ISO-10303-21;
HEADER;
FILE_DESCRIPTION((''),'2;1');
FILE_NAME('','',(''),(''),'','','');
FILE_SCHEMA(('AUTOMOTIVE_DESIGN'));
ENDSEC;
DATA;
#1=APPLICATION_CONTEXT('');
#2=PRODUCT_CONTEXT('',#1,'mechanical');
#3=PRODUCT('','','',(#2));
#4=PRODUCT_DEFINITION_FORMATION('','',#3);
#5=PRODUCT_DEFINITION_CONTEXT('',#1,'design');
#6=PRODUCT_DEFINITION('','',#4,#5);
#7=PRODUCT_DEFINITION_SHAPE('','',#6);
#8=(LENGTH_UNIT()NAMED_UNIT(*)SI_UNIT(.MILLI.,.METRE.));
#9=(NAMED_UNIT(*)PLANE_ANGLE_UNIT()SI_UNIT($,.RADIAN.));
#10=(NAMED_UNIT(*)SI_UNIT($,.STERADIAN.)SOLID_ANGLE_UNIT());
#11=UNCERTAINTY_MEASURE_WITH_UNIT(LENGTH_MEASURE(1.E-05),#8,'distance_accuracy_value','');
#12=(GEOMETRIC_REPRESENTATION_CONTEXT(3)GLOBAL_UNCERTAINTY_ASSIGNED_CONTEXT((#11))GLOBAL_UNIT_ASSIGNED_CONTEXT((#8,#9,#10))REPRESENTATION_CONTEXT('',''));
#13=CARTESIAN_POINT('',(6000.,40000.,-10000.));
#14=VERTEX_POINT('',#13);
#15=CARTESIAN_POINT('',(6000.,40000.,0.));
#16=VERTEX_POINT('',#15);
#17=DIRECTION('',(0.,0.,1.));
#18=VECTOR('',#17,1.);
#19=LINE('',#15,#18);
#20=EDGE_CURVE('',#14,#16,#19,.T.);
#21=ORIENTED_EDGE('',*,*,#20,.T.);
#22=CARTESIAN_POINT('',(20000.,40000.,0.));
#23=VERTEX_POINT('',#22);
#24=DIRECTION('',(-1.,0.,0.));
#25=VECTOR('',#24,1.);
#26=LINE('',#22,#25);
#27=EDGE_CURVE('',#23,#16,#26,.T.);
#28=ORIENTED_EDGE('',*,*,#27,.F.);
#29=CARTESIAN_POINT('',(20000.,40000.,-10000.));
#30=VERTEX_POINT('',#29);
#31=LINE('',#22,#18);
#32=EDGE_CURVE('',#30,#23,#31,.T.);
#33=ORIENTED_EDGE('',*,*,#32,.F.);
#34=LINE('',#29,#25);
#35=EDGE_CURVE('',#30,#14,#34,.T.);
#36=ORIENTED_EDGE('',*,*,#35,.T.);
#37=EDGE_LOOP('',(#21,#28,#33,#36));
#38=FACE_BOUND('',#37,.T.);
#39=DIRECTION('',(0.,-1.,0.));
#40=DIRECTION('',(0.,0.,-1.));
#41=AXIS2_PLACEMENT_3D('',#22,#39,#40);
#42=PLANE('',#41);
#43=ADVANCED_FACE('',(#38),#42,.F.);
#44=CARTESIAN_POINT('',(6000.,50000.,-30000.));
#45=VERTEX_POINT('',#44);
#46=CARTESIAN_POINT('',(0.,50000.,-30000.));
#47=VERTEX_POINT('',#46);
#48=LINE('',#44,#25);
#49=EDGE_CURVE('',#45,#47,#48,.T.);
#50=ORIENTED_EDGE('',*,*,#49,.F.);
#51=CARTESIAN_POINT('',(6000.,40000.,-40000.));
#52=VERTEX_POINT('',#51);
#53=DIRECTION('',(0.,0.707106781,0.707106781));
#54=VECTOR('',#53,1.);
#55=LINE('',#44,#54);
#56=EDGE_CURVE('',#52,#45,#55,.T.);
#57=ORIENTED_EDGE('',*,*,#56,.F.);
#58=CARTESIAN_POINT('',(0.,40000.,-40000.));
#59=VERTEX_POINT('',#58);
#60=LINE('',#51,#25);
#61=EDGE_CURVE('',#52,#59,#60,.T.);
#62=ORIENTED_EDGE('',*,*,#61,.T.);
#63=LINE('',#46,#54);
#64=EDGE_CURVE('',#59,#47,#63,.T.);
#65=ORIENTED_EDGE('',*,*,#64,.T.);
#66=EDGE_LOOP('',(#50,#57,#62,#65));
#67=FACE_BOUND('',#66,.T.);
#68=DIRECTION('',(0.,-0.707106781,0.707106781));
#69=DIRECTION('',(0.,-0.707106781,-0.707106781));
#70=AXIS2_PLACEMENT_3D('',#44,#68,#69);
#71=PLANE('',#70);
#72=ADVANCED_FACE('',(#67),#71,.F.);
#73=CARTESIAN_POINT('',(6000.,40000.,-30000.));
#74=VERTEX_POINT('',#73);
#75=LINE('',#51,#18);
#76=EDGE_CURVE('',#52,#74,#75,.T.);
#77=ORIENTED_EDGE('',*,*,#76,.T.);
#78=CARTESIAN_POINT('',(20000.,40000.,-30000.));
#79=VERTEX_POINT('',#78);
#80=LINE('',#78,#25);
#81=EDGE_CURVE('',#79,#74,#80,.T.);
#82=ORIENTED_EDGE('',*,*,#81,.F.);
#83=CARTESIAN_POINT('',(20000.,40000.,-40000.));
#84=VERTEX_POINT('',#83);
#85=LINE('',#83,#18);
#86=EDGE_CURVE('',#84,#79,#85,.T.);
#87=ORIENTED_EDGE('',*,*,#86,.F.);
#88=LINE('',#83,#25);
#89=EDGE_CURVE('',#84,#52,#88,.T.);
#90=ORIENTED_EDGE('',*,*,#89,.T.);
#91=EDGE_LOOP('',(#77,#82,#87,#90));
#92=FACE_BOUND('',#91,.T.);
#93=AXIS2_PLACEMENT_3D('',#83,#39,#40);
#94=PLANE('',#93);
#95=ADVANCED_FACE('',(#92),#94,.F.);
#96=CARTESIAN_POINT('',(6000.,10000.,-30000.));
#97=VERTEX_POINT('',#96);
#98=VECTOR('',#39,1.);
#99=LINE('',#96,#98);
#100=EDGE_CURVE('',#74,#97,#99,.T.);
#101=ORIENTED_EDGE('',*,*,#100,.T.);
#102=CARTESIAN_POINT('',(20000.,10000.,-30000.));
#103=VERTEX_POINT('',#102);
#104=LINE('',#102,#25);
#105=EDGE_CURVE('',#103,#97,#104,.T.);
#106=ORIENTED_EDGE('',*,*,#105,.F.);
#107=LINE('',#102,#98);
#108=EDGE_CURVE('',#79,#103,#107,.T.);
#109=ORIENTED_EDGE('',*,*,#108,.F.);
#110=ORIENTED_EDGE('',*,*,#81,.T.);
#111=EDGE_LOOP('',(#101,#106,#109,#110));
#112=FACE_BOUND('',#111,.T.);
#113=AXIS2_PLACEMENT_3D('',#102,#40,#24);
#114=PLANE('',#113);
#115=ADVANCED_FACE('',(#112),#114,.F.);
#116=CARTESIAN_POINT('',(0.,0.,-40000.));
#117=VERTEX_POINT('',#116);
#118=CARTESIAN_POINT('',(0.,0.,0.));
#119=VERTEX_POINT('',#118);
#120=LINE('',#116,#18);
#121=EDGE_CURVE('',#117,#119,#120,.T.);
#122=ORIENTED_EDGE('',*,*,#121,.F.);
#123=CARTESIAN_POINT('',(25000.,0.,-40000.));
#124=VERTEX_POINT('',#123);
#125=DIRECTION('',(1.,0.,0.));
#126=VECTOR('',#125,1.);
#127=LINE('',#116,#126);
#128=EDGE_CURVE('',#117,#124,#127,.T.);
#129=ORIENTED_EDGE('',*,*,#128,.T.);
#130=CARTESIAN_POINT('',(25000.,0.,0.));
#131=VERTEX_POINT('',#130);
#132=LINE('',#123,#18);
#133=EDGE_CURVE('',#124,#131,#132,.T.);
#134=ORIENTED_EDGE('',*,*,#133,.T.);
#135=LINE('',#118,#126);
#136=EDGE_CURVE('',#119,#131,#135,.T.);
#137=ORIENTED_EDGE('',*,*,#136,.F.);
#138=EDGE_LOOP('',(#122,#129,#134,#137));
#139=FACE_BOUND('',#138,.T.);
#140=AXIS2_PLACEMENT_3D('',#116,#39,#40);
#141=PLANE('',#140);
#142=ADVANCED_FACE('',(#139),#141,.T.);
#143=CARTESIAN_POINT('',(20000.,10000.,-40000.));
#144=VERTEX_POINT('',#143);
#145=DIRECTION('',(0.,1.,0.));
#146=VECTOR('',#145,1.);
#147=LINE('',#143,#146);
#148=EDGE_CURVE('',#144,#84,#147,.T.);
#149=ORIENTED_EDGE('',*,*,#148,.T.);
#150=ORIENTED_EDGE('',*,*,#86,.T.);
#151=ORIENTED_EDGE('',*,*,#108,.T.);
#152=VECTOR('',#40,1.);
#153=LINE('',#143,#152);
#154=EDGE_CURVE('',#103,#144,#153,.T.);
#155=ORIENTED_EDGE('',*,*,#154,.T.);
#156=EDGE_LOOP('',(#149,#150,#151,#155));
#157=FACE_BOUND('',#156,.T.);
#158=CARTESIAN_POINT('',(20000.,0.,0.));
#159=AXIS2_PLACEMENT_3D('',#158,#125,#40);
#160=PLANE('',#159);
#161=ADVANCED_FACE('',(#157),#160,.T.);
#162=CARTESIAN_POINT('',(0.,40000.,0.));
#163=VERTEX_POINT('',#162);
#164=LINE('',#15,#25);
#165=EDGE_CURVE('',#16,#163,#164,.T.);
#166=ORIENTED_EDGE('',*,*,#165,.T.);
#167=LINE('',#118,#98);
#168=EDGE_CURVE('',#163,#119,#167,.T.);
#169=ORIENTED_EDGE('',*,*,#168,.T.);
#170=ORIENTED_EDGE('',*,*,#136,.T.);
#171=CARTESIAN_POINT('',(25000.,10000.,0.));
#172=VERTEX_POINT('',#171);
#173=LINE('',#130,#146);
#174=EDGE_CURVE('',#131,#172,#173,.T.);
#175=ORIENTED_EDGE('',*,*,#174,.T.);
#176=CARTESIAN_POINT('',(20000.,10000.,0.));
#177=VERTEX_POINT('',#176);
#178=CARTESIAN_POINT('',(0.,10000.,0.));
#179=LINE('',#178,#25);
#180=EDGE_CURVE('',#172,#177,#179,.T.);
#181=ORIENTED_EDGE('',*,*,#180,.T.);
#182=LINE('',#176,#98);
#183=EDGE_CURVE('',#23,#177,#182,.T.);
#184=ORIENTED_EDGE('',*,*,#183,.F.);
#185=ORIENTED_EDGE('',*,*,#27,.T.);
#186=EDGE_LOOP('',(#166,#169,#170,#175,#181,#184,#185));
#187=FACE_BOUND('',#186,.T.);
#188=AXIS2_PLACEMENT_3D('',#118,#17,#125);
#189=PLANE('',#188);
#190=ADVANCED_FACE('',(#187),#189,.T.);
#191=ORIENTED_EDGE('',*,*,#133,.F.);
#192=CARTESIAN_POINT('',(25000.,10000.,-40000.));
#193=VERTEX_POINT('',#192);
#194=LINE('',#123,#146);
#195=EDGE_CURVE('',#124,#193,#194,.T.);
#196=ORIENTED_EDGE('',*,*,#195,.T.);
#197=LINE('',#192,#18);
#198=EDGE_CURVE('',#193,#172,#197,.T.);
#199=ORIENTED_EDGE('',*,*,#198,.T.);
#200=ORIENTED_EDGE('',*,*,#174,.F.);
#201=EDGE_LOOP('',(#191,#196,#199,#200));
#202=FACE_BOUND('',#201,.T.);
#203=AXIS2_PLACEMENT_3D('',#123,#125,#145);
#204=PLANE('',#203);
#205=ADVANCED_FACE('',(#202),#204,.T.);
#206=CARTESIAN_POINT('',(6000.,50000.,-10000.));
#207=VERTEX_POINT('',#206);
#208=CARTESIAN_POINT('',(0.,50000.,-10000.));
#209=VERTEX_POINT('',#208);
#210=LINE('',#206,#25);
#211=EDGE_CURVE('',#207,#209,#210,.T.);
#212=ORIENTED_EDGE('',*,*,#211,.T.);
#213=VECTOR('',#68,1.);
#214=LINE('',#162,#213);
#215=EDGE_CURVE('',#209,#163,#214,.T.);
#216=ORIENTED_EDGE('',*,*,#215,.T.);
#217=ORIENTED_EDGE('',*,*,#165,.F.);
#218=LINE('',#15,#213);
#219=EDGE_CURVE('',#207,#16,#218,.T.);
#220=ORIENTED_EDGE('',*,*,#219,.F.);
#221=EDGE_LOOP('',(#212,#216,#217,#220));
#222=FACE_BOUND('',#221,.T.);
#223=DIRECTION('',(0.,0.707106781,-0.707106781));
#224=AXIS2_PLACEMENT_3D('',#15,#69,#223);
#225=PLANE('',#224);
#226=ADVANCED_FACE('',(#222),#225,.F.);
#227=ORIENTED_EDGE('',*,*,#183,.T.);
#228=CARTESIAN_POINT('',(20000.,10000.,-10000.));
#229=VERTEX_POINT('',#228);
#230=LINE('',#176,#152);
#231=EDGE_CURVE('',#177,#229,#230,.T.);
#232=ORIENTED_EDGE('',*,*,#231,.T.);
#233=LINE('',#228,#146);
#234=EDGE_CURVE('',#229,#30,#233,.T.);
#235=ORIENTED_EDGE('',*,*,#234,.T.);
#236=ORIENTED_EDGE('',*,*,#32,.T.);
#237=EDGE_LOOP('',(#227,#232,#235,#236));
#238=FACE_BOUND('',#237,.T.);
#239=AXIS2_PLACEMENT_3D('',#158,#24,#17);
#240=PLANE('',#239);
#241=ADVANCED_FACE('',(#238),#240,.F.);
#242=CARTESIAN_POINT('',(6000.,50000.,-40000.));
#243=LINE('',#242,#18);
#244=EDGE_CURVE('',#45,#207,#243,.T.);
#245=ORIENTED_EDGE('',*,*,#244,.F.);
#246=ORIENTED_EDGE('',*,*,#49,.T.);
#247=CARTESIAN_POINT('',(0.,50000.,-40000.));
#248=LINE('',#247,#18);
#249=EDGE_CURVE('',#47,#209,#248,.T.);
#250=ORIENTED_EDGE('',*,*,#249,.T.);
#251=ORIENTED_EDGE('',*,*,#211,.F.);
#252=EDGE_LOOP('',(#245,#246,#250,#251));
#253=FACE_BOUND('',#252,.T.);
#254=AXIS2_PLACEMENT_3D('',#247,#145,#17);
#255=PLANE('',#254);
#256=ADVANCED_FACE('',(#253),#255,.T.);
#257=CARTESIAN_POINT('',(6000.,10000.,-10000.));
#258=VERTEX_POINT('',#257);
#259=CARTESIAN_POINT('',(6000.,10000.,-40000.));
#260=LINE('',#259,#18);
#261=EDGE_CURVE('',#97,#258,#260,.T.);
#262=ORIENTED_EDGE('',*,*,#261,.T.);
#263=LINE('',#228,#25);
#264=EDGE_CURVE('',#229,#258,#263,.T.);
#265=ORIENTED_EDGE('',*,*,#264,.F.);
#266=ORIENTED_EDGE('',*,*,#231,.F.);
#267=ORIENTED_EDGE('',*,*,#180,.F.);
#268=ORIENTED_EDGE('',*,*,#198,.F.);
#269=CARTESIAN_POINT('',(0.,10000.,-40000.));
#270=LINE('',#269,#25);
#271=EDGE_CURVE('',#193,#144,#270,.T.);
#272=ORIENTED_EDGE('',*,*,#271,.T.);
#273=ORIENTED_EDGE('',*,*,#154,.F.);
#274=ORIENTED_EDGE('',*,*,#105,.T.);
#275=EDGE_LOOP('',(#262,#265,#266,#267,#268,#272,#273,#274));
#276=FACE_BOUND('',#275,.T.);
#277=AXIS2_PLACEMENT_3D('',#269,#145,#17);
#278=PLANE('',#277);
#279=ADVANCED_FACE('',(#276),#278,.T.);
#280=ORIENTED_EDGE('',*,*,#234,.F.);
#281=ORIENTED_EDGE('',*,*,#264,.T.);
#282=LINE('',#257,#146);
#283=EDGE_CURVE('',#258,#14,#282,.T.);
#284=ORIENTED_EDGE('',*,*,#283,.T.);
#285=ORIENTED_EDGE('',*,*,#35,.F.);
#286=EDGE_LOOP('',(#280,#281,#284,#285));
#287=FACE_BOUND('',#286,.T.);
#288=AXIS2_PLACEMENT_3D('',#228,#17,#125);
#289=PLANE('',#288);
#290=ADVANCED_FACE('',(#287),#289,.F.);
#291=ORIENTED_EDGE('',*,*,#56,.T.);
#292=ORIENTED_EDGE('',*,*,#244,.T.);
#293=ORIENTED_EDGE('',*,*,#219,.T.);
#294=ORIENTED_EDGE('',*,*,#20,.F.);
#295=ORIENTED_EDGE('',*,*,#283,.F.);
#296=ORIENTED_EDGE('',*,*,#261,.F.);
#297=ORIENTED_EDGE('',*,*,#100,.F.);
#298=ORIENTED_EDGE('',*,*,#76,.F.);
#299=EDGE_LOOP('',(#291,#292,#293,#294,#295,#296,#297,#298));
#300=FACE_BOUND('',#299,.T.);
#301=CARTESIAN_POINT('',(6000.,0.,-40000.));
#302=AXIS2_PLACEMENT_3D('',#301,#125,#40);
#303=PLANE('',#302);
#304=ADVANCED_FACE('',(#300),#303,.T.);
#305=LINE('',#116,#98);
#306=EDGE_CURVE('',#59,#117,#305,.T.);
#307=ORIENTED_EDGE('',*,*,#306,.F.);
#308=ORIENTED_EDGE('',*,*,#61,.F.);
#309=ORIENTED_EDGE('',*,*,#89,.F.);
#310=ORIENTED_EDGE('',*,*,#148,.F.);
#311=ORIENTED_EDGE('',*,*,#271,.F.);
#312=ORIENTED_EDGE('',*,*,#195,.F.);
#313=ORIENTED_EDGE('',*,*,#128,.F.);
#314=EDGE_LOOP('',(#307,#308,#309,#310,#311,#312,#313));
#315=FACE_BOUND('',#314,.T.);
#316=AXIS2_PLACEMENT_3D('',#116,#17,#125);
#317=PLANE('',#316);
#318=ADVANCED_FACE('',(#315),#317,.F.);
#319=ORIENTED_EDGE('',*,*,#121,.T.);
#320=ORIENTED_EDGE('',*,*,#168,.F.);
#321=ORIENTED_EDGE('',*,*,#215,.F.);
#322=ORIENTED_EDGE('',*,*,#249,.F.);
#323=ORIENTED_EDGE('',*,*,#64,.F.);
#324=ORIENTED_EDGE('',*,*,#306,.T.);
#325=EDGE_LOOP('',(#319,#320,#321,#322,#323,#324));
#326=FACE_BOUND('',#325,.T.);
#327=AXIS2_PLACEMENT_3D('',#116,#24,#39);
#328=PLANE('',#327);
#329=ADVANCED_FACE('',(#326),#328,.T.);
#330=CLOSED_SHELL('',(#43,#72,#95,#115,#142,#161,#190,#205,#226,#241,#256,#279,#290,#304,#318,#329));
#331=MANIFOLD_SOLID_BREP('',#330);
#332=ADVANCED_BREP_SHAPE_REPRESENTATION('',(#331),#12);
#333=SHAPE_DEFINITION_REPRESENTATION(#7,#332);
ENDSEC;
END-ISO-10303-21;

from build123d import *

# Parameters (mm, degrees)
BOSS_EXTRUDE1_DEPTH = 40000
CUT_EXTRUDE1_DEPTH  = 6000
SKETCH3_W           = 10000
SKETCH3_H           = 30000
BOSS_EXTRUDE2_DEPTH = 14000


with BuildPart() as part:
    # Sketch1 → Boss-Extrude1 (new body)
    with BuildSketch(Plane.XY):
        Polygon((6000, 50000), (0, 50000), (0, 0), (25000, 0), (25000, 10000), (6000, 10000), align=None)
    extrude(amount=-BOSS_EXTRUDE1_DEPTH)

    # Sketch2 → Cut-Extrude1 (cut)
    with BuildSketch(Plane.ZY):
        Polygon((-40000, 50000), (-30000, 50000), (-40000, 40000), align=None)
        Polygon((-10000, 50000), (0, 50000), (0, 40000), align=None)
    extrude(amount=-CUT_EXTRUDE1_DEPTH, mode=Mode.SUBTRACT)

    # Sketch3 → Boss-Extrude2 (add)
    with BuildSketch(Plane(origin=(6000, 0, 0), x_dir=(0, 0, -1), z_dir=(1, 0, 0))):
        with Locations((5000, 25000)):
            Rectangle(SKETCH3_W, SKETCH3_H)
        with Locations((35000, 25000)):
            Rectangle(SKETCH3_W, SKETCH3_H)
    extrude(amount=BOSS_EXTRUDE2_DEPTH)


solid = part.part
